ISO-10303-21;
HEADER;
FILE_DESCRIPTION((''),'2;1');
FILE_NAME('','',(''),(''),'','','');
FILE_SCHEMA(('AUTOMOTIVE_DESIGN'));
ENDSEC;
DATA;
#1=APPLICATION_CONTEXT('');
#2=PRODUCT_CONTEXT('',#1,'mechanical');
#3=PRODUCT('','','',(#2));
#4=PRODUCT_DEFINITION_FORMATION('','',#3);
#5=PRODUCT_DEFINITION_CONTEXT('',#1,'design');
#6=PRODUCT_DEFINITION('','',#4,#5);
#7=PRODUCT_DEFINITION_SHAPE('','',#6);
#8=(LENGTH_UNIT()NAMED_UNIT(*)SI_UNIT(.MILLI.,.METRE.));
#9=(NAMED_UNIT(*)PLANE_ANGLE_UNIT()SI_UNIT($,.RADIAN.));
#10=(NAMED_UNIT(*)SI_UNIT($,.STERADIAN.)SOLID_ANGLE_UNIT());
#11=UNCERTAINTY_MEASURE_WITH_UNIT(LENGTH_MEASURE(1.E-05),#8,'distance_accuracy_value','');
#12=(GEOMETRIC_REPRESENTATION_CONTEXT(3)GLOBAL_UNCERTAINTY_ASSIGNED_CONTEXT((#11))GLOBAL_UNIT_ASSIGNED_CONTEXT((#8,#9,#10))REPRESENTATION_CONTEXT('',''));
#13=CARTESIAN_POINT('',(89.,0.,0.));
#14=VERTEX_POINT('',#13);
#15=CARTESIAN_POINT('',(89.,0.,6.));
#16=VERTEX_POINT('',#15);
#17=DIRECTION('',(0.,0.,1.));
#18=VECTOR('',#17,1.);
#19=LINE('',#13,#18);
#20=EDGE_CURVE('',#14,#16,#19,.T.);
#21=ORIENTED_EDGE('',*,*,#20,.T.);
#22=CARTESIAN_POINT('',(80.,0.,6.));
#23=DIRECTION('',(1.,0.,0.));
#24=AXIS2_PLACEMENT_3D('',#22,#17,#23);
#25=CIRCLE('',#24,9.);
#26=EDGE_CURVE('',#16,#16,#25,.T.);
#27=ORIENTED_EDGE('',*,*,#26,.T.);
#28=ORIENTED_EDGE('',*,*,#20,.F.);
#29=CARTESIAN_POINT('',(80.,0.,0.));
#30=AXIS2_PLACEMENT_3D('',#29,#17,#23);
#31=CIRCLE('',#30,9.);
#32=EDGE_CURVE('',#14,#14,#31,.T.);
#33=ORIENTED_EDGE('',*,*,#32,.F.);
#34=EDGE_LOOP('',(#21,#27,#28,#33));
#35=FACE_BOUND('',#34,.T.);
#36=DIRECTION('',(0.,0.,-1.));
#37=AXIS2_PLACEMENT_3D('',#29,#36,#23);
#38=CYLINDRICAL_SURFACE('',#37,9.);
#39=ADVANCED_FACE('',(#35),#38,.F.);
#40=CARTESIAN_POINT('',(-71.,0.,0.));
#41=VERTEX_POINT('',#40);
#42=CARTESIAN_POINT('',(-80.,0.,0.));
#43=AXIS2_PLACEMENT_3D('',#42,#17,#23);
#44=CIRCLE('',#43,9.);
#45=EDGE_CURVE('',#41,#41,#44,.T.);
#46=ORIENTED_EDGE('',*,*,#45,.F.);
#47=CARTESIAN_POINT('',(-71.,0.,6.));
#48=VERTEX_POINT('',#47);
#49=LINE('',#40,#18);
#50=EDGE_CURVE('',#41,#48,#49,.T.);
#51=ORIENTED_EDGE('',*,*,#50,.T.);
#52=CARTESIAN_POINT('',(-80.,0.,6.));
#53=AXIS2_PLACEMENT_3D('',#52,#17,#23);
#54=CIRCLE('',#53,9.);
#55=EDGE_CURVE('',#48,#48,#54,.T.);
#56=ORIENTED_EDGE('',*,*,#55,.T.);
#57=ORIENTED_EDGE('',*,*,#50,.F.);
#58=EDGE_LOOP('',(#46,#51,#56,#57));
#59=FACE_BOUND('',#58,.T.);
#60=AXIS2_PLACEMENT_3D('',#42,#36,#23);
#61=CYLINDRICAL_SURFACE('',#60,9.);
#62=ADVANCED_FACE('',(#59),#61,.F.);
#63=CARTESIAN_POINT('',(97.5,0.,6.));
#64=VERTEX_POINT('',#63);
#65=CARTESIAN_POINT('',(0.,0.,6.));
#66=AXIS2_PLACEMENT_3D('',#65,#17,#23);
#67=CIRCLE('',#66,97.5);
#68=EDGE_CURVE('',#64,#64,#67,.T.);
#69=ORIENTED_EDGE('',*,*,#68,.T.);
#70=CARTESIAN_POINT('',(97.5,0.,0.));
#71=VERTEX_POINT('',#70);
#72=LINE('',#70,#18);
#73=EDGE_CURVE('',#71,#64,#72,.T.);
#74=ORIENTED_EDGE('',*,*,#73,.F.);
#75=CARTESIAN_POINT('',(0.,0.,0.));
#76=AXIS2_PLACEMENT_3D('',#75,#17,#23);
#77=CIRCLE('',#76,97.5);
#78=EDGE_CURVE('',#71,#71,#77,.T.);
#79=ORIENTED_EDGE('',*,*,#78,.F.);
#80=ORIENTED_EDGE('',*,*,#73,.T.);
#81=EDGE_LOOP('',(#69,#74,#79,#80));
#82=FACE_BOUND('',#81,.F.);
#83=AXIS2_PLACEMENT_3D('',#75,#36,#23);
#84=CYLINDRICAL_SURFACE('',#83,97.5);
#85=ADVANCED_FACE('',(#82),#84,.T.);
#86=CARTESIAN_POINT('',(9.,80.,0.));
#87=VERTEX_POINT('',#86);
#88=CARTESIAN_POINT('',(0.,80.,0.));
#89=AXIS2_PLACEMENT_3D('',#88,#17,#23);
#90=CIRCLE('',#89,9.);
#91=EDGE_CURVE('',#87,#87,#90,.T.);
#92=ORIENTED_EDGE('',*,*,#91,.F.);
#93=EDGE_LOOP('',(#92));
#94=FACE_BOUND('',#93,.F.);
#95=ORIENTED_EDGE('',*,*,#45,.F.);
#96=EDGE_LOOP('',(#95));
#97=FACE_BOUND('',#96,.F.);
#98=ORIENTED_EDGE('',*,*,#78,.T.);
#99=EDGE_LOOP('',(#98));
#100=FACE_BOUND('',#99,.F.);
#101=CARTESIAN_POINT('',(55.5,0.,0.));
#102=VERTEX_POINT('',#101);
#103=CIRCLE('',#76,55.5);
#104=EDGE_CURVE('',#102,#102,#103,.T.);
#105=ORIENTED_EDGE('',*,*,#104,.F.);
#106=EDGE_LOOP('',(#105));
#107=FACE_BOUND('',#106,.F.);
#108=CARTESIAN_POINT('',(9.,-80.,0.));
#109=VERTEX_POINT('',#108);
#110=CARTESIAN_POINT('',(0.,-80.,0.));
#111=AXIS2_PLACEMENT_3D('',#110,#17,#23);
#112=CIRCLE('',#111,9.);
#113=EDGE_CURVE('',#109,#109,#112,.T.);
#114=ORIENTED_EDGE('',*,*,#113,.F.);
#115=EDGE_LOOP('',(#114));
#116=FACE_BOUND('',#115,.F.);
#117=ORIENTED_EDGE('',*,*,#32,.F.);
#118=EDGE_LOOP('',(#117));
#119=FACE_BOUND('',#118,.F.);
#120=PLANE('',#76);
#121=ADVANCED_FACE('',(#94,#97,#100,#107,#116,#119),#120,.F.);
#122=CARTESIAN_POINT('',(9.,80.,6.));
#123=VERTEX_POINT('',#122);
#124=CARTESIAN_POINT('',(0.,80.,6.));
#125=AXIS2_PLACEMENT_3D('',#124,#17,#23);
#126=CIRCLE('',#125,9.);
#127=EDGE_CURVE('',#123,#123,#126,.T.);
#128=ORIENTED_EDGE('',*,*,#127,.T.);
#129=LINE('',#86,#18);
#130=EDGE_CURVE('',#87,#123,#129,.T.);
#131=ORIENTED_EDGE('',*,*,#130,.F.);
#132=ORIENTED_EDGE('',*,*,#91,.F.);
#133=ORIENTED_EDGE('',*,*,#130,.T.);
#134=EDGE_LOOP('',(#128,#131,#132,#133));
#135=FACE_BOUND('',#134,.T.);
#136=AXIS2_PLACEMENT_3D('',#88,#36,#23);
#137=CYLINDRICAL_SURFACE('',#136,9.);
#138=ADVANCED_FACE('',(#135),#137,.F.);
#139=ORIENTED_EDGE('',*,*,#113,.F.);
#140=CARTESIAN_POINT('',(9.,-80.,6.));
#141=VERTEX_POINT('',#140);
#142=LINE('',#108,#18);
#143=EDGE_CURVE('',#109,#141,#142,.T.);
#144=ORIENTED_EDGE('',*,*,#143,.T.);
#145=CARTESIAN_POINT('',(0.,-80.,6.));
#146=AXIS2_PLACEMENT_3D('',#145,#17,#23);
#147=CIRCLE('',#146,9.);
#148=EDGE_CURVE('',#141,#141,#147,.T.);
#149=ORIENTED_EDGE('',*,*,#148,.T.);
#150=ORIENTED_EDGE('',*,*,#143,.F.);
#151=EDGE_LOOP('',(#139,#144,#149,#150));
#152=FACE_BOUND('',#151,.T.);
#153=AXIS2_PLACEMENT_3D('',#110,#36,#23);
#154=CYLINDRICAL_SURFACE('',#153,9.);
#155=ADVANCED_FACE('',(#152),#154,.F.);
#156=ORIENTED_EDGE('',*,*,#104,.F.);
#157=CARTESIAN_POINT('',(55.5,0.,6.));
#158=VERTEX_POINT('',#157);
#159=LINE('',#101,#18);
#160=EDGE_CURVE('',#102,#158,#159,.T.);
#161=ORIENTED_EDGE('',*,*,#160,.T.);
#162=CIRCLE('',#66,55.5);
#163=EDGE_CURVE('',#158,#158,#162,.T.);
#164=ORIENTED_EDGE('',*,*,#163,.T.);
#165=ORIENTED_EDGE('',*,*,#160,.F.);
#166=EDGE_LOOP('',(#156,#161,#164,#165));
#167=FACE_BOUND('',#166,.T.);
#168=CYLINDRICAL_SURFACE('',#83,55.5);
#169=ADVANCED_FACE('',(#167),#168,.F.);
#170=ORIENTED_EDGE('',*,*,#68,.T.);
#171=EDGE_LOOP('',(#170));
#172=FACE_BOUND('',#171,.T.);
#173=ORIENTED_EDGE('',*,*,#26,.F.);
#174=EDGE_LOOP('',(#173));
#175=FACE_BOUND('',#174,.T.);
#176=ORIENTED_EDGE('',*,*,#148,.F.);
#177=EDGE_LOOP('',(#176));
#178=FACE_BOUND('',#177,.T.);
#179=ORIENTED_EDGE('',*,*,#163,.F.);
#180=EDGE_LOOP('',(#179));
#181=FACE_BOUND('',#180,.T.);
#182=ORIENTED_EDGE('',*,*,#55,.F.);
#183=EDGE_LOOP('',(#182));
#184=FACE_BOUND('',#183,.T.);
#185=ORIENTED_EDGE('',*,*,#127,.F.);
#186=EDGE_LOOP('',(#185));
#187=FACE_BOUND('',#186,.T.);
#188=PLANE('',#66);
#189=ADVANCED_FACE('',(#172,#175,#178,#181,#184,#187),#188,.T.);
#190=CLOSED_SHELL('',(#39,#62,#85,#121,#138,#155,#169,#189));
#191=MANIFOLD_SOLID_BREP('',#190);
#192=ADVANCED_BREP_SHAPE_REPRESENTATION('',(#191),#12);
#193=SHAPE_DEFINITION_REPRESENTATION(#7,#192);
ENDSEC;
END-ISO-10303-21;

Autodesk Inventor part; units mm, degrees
ref_plane "YZ Plane" through (0, 0, 0) normal (1, 0, 0) x (0, 1, 0)
ref_plane "XZ Plane" through (0, 0, 0) normal (0, 1, 0) x (-1, 0, 0)
ref_plane "XY Plane" through (0, 0, 0) normal (0, 0, 1) x (1, 0, 0)
sketch "Sketch2" plane through (0, 0, 0) normal (0, 0, 1) x (1, 0, 0)
  circle A0 centre (0, 0) radius 55.5
  circle A1 centre (0, 0) radius 97.5
  circle A2 centre (0, 0) radius 80 construction
  circle A3 centre (0, 80) radius 9
  circle A4 centre (-80, 0) radius 9
  circle A5 centre (0, -80) radius 9
  circle A6 centre (80, 0) radius 9
  dimension "d29" = 160
  dimension "d25" = 111
  dimension "d27" = 195
  dimension "d30" = 18
  dimension "d33" = 360
extrude "Plate2" add sketch "Sketch2" along normal blind 6
equation "\"d14\" = Thickness"
equation "\"BendReliefWidth\" = Thickness"
equation "\"BendReliefDepth\" = 0.5 * Thickness"
equation "\"CornerReliefSize\" = 4 * Thickness"
equation "\"MinimumRemnant\" = 2 * Thickness"
equation "\"TransitionRadius\" = BendRadius"
equation "\"JacobiRadiusSize\" = BendRadius"
equation "\"GapSize\" = Thickness"
equation "\"Thickness\" = 6"
equation "\"BendRadius\" = 6"
properties part number "PRS 940-31 FDS flange DN90" material "Steel"
